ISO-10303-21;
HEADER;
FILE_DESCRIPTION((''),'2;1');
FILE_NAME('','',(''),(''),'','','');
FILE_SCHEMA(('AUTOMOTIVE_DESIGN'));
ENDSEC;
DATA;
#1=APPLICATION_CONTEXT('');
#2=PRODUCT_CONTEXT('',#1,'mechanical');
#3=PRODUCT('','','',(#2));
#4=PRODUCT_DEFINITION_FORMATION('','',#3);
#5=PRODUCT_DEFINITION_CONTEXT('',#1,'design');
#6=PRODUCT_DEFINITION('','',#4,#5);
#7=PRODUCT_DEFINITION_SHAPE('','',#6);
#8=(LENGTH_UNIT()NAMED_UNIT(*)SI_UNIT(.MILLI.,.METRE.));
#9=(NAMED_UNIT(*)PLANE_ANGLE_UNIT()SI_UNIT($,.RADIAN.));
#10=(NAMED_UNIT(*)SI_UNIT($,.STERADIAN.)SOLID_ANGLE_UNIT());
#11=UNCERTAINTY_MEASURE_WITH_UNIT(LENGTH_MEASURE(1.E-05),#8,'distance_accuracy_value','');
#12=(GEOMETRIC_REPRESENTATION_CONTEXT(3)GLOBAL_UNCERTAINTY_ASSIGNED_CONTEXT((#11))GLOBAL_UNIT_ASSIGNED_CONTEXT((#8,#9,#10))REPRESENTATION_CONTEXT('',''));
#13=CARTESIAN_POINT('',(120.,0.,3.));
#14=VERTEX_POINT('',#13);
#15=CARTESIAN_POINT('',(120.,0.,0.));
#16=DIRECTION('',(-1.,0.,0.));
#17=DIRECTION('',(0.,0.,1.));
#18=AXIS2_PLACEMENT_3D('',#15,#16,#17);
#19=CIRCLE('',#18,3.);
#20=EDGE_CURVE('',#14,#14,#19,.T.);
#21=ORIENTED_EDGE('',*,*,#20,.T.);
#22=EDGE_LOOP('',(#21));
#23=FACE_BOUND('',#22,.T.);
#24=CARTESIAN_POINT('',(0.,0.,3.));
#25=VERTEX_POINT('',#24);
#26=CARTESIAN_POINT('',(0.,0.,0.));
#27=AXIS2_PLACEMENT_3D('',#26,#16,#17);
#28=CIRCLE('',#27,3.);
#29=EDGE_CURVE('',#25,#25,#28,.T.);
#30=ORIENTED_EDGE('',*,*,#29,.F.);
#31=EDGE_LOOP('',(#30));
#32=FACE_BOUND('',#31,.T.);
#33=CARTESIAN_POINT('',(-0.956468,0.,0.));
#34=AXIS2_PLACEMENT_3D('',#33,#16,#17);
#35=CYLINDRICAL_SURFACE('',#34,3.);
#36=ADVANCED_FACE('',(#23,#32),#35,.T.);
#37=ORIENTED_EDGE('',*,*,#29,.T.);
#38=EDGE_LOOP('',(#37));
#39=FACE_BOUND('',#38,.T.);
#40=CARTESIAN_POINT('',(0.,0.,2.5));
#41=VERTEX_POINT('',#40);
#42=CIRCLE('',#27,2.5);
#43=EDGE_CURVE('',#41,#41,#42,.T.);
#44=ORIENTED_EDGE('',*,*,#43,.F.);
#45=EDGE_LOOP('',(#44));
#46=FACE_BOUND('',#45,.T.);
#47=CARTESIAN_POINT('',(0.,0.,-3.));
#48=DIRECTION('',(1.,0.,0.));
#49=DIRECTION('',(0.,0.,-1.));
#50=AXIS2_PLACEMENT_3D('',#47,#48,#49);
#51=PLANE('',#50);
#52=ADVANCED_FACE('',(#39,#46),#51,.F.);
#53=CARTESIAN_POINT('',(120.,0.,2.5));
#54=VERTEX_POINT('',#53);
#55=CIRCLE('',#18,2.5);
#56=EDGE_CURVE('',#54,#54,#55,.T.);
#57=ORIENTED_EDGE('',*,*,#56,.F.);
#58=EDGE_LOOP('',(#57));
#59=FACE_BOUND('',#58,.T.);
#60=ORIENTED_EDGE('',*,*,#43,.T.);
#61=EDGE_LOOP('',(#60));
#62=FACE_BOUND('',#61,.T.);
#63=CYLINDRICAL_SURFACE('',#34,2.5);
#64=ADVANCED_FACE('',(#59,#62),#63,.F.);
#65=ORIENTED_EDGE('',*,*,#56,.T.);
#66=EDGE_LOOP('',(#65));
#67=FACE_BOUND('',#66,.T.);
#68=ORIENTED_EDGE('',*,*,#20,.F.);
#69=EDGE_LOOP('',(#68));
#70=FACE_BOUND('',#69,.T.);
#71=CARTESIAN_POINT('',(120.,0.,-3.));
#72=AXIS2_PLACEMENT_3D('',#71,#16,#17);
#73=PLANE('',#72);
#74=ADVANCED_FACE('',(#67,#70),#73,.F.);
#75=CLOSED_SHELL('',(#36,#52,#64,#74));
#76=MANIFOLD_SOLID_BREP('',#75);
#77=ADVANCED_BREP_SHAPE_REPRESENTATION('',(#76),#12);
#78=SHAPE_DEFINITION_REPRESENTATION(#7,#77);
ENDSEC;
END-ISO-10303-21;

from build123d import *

# Parameters (mm, degrees)
SKETCH1_W = 120
SKETCH1_H = 0.5


with BuildPart() as part:
    # Sketch1 → Revolve1 (revolve)
    with BuildSketch(Plane(origin=(0, 0, 0), x_dir=(1, 0, 0), z_dir=(0, 1, 0)), mode=Mode.PRIVATE) as revolve1_sk:
        with Locations((60, 2.75)):
            Rectangle(SKETCH1_W, SKETCH1_H)
    revolve(revolve1_sk.sketch.rotate(Axis((-0.956467941, 0, 0), (1, 0, 0)), 180), axis=Axis((-0.956467941, 0, 0), (1, 0, 0)))


solid = part.part
